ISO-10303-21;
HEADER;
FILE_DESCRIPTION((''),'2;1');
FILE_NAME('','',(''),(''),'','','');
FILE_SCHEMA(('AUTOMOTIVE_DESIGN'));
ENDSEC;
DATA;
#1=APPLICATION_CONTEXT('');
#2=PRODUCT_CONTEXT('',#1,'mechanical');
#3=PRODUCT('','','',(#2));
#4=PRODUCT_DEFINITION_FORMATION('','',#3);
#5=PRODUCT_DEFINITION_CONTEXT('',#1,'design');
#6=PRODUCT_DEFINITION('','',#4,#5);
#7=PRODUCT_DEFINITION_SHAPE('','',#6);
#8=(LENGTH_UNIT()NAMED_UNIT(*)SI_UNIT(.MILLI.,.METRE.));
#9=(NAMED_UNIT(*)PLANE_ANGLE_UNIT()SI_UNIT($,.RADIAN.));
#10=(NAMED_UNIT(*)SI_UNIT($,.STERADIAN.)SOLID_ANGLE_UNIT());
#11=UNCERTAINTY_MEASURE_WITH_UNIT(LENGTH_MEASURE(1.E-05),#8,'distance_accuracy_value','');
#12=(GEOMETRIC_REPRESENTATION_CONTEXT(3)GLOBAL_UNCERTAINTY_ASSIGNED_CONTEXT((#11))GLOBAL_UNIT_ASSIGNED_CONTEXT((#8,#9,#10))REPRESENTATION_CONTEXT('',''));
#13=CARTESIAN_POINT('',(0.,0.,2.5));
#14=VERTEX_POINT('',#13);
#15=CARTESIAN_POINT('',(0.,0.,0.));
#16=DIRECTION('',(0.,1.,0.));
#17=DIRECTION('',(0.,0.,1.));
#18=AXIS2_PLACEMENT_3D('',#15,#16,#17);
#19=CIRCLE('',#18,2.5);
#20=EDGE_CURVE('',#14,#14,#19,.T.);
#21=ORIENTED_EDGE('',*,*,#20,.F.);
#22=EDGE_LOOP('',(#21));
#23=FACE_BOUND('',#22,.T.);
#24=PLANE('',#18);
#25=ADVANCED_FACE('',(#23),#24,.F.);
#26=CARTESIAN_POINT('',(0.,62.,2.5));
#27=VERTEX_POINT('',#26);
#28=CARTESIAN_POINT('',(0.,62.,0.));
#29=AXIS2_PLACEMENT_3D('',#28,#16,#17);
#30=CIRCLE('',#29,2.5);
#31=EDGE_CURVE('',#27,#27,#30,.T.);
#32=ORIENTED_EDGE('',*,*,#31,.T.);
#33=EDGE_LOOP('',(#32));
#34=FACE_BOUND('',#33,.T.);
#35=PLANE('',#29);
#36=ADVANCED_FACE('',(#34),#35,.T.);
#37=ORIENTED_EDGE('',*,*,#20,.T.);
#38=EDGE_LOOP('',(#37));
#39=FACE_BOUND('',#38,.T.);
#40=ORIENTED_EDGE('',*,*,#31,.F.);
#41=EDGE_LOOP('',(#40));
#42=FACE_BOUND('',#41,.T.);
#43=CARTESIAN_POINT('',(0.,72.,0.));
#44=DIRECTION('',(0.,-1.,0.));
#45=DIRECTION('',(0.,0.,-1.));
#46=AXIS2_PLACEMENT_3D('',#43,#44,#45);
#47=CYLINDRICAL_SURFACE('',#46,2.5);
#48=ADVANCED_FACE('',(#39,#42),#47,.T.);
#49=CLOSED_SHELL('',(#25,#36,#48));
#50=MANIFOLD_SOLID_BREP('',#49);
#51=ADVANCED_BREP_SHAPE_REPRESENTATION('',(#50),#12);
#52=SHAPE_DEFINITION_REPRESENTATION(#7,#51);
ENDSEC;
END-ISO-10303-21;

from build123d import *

# Parameters (mm, degrees)
SKETCH1_R           = 2.5
BOSS_EXTRUDE1_DEPTH = 72
CUT_EXTRUDE1_START  = -10
SKETCH3_R           = 2.5
CUT_EXTRUDE1_DEPTH  = 10


with BuildPart() as part:
    # Sketch1 → Boss-Extrude1 (new body)
    with BuildSketch(Plane(origin=(0, 0, 0), x_dir=(1, 0, 0), z_dir=(0, 1, 0))):
        with Locations(Location((0, 0, 0), (0, 0, 270))):
            Circle(SKETCH1_R)
    extrude(amount=BOSS_EXTRUDE1_DEPTH)

    # Sketch3 → Cut-Extrude1 (cut)
    with BuildSketch(Plane(origin=(0, 72, 0), x_dir=(1, 0, 0), z_dir=(0, 1, 0)).offset(CUT_EXTRUDE1_START)):
        with Locations(Location((0, 0, 0), (0, 0, 270))):
            Circle(SKETCH3_R)
    extrude(amount=CUT_EXTRUDE1_DEPTH, mode=Mode.SUBTRACT)


solid = part.part
